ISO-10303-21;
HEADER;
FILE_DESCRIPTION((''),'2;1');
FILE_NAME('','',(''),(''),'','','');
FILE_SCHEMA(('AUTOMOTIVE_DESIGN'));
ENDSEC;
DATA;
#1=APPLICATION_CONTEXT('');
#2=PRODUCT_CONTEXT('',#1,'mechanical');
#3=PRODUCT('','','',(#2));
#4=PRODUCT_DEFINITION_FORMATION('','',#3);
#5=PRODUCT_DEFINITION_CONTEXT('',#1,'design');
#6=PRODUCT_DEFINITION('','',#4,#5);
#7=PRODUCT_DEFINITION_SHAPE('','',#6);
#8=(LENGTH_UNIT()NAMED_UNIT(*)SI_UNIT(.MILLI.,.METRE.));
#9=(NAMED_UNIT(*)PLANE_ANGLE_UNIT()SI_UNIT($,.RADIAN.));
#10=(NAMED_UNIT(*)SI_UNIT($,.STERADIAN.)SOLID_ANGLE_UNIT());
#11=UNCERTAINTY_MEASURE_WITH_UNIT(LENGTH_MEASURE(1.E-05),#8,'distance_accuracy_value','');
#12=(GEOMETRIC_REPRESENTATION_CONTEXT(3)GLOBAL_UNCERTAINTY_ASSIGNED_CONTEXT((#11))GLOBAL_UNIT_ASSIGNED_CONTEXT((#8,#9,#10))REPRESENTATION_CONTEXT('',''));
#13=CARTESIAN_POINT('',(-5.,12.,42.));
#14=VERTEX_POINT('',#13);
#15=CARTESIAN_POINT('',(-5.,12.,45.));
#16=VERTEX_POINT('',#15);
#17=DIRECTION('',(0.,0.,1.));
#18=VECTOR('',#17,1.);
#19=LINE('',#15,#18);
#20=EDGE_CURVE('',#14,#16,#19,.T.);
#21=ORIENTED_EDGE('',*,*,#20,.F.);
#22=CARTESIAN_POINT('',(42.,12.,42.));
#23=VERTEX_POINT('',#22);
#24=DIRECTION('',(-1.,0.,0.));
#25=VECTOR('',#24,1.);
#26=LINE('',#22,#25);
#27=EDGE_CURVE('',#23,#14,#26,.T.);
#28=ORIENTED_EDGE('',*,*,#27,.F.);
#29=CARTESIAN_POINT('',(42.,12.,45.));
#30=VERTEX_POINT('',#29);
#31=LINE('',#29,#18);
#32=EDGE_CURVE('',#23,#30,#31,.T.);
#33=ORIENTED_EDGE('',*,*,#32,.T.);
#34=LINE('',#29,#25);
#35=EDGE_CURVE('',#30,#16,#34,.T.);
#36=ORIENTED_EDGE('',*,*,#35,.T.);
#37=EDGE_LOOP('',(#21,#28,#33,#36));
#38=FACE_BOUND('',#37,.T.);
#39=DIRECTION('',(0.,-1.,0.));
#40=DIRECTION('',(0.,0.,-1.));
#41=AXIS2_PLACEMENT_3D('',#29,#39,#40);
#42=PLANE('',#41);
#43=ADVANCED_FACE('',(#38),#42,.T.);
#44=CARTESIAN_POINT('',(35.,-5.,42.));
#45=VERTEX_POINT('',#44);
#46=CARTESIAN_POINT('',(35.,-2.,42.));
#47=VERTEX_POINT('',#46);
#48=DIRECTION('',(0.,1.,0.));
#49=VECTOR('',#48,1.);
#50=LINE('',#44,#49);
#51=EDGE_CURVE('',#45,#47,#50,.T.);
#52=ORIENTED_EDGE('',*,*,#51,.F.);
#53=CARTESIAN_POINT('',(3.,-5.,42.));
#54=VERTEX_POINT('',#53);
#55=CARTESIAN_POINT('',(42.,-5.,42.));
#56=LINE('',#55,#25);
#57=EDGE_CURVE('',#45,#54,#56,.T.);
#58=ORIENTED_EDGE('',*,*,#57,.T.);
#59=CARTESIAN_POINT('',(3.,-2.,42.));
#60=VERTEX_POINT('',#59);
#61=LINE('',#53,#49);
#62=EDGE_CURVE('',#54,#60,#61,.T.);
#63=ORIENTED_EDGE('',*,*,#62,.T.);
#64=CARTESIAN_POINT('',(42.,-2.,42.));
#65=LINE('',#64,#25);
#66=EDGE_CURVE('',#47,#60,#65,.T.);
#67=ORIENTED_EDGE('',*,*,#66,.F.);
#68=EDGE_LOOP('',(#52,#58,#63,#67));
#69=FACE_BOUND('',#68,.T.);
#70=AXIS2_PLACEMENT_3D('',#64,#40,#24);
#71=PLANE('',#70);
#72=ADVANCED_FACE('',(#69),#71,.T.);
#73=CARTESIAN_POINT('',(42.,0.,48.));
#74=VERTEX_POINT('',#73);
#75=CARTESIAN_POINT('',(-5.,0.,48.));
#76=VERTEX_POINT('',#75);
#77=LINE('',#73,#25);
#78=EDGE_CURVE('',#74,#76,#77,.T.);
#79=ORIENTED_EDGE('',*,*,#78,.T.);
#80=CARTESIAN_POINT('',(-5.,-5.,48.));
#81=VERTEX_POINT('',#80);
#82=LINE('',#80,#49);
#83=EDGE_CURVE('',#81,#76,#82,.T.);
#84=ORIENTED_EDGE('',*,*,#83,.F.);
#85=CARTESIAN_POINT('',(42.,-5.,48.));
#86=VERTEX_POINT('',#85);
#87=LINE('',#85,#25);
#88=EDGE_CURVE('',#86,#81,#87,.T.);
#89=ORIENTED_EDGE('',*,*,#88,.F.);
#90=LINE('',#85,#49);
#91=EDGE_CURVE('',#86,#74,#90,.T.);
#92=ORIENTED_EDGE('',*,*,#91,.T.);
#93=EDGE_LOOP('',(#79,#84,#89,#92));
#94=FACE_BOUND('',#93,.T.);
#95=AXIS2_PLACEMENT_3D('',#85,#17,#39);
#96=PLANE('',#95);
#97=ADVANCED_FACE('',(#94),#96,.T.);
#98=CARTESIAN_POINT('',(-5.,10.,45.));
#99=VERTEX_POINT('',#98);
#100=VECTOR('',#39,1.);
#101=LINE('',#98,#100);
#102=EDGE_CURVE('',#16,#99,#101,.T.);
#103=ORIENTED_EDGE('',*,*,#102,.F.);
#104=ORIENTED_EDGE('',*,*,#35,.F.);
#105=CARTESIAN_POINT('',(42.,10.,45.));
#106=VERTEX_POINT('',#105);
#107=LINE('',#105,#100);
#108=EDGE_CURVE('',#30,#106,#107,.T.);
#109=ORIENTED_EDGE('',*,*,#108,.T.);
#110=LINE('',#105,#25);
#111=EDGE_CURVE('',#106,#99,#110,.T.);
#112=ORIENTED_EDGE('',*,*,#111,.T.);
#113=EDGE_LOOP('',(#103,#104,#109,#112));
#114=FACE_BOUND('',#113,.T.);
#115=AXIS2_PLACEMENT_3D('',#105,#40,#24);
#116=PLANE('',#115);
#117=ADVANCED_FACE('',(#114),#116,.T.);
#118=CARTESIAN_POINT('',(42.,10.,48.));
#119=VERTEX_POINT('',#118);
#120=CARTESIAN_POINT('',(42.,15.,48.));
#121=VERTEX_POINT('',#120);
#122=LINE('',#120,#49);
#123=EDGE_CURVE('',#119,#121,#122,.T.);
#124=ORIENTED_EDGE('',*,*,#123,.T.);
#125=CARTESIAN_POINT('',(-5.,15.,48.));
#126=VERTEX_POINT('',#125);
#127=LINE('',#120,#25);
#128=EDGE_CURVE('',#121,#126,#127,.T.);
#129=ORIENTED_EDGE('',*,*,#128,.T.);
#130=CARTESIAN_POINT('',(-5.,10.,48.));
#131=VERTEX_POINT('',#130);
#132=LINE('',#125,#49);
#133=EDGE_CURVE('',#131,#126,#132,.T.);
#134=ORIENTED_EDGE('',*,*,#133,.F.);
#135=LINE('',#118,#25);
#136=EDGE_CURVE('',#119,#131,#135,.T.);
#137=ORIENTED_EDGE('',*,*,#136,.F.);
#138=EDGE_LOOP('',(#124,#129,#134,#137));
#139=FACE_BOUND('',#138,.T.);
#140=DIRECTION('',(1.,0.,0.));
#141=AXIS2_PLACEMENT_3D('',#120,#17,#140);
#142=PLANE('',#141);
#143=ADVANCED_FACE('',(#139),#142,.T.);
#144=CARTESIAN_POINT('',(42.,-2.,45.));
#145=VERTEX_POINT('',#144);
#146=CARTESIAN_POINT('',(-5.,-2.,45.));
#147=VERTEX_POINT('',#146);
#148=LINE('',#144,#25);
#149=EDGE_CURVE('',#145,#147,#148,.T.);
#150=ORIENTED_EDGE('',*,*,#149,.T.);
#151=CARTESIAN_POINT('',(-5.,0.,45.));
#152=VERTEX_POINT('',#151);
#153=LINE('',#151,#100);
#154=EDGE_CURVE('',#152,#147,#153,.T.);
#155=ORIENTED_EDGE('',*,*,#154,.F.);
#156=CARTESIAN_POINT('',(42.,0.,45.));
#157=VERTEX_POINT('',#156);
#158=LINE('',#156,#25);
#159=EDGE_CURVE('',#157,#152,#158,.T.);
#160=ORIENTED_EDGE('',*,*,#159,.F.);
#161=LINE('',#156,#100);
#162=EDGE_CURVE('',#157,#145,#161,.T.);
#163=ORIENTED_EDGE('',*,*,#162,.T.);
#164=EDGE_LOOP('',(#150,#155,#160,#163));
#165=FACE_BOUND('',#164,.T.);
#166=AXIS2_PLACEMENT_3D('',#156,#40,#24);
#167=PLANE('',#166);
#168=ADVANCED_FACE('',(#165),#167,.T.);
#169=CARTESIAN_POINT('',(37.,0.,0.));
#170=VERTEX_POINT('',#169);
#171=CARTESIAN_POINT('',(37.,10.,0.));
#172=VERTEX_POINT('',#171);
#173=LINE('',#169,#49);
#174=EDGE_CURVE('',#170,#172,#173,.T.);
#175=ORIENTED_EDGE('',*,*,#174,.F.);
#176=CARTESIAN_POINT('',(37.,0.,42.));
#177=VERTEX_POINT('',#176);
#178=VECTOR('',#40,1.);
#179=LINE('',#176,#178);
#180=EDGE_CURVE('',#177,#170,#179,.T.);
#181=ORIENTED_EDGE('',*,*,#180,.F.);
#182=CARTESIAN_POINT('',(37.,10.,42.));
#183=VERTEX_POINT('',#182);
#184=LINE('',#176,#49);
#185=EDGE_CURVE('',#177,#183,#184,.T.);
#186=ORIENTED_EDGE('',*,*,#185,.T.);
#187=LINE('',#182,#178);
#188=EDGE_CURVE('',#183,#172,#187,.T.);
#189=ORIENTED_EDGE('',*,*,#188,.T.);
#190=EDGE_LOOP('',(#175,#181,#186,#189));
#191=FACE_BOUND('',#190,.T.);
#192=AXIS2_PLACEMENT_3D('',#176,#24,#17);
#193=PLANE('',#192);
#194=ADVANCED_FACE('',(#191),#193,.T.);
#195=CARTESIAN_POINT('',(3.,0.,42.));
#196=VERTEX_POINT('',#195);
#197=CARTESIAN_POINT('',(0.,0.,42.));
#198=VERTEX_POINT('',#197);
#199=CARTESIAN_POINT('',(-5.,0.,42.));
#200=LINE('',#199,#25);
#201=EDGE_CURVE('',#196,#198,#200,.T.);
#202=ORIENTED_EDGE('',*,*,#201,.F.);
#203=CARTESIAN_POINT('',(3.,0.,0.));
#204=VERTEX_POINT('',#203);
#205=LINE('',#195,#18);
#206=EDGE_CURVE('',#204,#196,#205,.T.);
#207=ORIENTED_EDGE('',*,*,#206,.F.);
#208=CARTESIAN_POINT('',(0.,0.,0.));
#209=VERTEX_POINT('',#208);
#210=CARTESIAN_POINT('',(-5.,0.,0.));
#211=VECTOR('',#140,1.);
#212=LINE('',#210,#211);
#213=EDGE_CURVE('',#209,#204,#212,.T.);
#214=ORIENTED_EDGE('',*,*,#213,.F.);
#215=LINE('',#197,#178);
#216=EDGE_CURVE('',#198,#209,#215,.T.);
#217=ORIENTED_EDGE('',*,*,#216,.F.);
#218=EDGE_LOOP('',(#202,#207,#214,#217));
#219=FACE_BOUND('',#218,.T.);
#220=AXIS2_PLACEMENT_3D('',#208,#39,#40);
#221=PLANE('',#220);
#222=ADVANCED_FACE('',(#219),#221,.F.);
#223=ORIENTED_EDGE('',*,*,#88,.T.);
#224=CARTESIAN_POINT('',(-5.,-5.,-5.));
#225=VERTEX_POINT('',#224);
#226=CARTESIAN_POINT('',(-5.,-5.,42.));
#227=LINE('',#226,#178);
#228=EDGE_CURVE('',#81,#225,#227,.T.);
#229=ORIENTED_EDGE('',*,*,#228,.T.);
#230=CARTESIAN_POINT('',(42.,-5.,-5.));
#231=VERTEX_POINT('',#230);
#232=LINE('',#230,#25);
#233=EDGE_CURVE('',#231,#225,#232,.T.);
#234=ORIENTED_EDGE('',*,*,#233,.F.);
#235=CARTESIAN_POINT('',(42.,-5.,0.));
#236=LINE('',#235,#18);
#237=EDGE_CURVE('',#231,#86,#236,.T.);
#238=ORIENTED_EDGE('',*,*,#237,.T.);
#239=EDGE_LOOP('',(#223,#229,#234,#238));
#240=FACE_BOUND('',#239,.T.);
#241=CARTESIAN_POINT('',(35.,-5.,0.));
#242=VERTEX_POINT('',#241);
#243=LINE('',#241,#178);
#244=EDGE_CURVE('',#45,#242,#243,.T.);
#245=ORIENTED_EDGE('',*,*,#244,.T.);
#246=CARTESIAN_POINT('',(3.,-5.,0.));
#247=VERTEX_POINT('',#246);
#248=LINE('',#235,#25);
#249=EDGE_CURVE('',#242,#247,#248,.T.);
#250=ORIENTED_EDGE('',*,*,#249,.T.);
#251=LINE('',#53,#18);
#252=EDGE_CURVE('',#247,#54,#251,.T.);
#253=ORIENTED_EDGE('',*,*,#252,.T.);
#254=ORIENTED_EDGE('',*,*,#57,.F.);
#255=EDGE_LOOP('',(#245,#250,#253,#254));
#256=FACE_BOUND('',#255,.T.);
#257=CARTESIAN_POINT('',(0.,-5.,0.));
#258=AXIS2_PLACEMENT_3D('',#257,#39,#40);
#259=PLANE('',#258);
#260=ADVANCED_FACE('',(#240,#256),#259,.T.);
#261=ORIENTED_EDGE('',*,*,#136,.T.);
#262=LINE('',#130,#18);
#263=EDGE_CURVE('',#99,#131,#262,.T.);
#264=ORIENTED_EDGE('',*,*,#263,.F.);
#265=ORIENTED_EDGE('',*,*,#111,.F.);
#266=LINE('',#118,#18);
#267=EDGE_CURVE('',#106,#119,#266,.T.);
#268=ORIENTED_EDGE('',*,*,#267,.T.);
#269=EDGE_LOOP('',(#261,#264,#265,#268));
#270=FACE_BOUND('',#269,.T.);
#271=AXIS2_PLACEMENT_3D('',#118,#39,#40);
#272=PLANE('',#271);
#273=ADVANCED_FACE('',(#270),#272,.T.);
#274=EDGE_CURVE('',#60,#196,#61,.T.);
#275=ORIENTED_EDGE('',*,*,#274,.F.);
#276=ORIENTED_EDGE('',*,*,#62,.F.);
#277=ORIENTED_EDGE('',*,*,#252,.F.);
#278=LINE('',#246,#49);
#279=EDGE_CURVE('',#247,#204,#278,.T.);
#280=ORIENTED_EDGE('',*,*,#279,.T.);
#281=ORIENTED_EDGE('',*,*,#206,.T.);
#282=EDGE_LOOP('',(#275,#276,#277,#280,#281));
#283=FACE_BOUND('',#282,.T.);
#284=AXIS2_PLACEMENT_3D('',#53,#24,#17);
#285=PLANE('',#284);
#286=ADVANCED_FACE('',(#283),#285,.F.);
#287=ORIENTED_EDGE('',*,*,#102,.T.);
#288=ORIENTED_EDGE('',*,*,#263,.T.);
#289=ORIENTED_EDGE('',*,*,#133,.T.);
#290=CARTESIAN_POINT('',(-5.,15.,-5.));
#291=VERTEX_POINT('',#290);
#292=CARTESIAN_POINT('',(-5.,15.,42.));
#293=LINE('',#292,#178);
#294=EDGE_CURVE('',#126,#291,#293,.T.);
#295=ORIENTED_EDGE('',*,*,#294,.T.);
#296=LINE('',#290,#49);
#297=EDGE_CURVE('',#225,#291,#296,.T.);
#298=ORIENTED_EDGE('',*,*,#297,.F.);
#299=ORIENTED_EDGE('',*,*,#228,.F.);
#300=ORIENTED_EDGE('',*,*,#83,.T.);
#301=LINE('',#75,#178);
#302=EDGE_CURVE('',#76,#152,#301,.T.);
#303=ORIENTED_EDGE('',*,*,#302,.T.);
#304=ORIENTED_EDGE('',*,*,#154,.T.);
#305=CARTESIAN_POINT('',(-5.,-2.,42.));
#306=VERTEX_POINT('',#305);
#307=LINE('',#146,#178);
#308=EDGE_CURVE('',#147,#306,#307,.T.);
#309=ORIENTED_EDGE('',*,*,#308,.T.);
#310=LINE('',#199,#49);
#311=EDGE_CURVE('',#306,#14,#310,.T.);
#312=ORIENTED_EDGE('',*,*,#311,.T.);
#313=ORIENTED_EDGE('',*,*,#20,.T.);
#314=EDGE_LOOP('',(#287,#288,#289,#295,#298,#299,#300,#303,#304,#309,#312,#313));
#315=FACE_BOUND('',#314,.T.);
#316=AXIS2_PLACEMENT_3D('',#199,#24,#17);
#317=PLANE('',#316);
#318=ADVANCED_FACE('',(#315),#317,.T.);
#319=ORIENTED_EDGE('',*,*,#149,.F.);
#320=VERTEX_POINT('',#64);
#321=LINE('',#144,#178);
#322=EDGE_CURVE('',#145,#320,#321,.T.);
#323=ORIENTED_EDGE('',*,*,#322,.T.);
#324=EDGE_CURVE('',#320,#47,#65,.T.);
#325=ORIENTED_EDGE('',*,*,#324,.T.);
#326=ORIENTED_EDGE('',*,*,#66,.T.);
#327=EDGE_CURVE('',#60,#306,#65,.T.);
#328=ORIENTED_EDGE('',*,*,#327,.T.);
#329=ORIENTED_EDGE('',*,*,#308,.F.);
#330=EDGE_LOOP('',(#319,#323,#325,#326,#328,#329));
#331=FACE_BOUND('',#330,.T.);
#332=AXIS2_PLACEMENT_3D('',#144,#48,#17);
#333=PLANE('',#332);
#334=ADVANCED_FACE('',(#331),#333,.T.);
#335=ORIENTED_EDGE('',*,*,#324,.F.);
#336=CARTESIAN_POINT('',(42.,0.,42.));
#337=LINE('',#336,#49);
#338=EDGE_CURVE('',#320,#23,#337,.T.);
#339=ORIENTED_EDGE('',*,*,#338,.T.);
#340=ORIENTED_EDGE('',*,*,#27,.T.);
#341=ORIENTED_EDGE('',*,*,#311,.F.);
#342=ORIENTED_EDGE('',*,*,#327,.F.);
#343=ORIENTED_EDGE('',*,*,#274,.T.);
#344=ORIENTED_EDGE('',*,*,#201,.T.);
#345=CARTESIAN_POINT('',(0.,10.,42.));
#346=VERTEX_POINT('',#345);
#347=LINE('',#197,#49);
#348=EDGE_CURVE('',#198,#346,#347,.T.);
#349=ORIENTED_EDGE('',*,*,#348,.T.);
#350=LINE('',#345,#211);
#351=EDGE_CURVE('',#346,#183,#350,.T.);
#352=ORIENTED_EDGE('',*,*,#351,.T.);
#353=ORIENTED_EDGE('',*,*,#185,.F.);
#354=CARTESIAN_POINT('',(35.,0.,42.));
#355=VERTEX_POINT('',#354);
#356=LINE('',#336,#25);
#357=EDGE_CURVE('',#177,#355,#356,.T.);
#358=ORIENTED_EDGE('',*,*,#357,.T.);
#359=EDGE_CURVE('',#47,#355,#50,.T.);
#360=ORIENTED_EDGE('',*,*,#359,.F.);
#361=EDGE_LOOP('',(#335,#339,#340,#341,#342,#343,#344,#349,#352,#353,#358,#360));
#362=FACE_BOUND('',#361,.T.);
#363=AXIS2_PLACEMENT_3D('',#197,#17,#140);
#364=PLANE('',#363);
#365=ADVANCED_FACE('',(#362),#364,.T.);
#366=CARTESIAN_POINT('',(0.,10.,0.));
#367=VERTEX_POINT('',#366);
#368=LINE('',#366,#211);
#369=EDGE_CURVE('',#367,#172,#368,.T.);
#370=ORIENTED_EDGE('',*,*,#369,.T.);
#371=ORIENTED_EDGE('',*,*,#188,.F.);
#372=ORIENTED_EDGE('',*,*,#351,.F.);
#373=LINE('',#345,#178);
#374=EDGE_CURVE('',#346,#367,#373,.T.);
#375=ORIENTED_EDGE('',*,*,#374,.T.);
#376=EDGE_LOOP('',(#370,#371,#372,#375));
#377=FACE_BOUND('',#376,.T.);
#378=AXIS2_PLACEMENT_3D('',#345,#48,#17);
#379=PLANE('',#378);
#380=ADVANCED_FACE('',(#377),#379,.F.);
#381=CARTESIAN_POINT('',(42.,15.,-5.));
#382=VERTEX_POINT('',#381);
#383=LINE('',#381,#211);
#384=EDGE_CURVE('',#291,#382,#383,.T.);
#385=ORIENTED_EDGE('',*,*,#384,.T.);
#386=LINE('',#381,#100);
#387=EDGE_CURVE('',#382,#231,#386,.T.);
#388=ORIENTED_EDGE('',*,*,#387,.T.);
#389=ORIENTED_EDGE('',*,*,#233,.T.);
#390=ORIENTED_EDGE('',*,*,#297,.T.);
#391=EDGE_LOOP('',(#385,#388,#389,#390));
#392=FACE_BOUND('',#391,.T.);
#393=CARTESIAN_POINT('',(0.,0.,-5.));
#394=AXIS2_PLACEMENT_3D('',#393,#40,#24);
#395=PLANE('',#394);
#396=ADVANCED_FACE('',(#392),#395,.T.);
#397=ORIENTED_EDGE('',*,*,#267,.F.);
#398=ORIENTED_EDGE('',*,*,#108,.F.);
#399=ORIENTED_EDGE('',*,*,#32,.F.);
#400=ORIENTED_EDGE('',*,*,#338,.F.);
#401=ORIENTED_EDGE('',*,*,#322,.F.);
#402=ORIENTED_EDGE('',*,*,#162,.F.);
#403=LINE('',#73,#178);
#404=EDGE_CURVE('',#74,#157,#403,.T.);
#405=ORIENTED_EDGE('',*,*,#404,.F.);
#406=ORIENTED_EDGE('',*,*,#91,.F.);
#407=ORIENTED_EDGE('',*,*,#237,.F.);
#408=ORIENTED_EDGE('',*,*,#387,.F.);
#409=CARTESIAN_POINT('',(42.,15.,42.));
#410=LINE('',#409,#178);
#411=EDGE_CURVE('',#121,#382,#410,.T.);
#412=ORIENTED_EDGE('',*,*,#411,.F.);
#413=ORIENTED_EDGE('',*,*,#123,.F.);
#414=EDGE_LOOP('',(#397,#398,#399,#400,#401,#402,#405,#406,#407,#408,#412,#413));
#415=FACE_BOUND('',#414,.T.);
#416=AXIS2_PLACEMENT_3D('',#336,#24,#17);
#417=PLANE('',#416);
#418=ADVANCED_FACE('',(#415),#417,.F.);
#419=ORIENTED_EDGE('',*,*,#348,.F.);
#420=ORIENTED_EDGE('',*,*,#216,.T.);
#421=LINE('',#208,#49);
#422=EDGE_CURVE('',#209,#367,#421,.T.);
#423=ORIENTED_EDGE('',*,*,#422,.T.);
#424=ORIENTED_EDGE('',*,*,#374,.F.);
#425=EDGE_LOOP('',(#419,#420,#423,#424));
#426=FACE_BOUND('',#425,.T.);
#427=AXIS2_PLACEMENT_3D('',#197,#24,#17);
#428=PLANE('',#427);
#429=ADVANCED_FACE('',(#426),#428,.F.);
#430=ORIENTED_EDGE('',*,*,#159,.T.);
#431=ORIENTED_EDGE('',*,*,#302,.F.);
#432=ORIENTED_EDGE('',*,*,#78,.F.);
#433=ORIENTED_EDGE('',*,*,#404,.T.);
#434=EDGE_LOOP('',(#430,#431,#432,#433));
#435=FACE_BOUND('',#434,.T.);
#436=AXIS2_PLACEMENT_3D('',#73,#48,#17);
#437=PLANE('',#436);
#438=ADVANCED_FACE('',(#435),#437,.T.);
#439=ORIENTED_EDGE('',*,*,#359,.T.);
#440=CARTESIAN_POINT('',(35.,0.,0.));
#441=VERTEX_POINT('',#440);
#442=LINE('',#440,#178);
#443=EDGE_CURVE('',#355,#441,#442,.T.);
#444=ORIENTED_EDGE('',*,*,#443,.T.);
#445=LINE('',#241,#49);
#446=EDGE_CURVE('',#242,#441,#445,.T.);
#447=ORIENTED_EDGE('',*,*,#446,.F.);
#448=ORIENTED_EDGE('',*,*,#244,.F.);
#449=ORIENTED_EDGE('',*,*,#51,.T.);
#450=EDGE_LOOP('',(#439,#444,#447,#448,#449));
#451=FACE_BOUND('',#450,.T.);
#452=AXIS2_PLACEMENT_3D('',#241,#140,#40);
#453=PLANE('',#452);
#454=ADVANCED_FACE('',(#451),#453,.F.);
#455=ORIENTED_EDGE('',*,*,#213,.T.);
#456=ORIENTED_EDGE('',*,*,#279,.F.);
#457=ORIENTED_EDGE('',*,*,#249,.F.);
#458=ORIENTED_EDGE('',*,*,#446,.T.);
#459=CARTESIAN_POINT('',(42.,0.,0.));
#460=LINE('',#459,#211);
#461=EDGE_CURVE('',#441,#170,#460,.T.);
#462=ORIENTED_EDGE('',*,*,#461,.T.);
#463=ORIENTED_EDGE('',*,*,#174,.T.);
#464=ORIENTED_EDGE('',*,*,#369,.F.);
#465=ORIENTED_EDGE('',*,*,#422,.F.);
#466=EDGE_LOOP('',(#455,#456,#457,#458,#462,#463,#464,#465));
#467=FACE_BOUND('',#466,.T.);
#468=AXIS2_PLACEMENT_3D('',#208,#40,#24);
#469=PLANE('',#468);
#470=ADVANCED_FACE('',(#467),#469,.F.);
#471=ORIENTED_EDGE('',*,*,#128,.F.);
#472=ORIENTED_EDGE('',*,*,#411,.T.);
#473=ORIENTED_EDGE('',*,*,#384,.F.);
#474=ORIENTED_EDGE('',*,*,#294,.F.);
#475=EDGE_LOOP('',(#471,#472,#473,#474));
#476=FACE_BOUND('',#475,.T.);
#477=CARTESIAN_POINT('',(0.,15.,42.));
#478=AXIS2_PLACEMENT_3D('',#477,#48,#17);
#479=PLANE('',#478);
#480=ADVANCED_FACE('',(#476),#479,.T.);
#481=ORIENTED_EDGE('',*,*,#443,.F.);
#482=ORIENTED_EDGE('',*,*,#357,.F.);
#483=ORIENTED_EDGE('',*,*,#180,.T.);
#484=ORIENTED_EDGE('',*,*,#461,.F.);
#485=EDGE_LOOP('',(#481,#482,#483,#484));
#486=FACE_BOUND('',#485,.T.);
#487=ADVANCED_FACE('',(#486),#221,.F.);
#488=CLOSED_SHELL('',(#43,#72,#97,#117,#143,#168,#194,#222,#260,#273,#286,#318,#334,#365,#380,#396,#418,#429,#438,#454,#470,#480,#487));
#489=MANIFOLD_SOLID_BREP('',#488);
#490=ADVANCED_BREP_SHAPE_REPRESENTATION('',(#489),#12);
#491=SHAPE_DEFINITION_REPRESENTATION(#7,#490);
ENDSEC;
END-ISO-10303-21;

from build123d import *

# Parameters (mm, degrees)
EXTRUDE_1_DEPTH = 42
SKETCH_2_W      = 8
SKETCH_2_H      = 42
SKETCH_2_W_2    = 7
EXTRUDE_2_DEPTH = 5
SKETCH_3_W      = 47
SKETCH_3_H      = 20
EXTRUDE_3_DEPTH = 5
EXTRUDE_4_DEPTH = 47


with BuildPart() as part:
    # 스케치1 → 보스-돌출1 (new body)
    with BuildSketch(Plane.XY):
        Polygon((-5, 0), (0, 0), (0, 10), (37, 10), (37, 0), (42, 0), (42, 15), (-5, 15), align=None)
    extrude(amount=EXTRUDE_1_DEPTH)

    # 스케치2 → 보스-돌출2 (add)
    with BuildSketch(Plane.XZ):
        with Locations((-1, 21)):
            Rectangle(SKETCH_2_W, SKETCH_2_H)
        with Locations((38.5, 21)):
            Rectangle(SKETCH_2_W_2, SKETCH_2_H)
    extrude(amount=EXTRUDE_2_DEPTH)

    # 스케치3 → 보스-돌출3 (add)
    with BuildSketch(Plane(origin=(0, 0, 0), x_dir=(-1, 0, 0), z_dir=(0, 0, -1))):
        with Locations((-18.5, 5)):
            Rectangle(SKETCH_3_W, SKETCH_3_H)
    extrude(amount=EXTRUDE_3_DEPTH)

    # 스케치4 → 보스-돌출4 (add)
    with BuildSketch(Plane.ZY.offset(5)):
        Polygon((42, 15), (48, 15), (48, 10), (45, 10), (45, 12), (42, 12), align=None)
        Polygon((42, -5), (48, -5), (48, 0), (45, 0), (45, -2), (42, -2), align=None)
    extrude(amount=-EXTRUDE_4_DEPTH)


solid = part.part
